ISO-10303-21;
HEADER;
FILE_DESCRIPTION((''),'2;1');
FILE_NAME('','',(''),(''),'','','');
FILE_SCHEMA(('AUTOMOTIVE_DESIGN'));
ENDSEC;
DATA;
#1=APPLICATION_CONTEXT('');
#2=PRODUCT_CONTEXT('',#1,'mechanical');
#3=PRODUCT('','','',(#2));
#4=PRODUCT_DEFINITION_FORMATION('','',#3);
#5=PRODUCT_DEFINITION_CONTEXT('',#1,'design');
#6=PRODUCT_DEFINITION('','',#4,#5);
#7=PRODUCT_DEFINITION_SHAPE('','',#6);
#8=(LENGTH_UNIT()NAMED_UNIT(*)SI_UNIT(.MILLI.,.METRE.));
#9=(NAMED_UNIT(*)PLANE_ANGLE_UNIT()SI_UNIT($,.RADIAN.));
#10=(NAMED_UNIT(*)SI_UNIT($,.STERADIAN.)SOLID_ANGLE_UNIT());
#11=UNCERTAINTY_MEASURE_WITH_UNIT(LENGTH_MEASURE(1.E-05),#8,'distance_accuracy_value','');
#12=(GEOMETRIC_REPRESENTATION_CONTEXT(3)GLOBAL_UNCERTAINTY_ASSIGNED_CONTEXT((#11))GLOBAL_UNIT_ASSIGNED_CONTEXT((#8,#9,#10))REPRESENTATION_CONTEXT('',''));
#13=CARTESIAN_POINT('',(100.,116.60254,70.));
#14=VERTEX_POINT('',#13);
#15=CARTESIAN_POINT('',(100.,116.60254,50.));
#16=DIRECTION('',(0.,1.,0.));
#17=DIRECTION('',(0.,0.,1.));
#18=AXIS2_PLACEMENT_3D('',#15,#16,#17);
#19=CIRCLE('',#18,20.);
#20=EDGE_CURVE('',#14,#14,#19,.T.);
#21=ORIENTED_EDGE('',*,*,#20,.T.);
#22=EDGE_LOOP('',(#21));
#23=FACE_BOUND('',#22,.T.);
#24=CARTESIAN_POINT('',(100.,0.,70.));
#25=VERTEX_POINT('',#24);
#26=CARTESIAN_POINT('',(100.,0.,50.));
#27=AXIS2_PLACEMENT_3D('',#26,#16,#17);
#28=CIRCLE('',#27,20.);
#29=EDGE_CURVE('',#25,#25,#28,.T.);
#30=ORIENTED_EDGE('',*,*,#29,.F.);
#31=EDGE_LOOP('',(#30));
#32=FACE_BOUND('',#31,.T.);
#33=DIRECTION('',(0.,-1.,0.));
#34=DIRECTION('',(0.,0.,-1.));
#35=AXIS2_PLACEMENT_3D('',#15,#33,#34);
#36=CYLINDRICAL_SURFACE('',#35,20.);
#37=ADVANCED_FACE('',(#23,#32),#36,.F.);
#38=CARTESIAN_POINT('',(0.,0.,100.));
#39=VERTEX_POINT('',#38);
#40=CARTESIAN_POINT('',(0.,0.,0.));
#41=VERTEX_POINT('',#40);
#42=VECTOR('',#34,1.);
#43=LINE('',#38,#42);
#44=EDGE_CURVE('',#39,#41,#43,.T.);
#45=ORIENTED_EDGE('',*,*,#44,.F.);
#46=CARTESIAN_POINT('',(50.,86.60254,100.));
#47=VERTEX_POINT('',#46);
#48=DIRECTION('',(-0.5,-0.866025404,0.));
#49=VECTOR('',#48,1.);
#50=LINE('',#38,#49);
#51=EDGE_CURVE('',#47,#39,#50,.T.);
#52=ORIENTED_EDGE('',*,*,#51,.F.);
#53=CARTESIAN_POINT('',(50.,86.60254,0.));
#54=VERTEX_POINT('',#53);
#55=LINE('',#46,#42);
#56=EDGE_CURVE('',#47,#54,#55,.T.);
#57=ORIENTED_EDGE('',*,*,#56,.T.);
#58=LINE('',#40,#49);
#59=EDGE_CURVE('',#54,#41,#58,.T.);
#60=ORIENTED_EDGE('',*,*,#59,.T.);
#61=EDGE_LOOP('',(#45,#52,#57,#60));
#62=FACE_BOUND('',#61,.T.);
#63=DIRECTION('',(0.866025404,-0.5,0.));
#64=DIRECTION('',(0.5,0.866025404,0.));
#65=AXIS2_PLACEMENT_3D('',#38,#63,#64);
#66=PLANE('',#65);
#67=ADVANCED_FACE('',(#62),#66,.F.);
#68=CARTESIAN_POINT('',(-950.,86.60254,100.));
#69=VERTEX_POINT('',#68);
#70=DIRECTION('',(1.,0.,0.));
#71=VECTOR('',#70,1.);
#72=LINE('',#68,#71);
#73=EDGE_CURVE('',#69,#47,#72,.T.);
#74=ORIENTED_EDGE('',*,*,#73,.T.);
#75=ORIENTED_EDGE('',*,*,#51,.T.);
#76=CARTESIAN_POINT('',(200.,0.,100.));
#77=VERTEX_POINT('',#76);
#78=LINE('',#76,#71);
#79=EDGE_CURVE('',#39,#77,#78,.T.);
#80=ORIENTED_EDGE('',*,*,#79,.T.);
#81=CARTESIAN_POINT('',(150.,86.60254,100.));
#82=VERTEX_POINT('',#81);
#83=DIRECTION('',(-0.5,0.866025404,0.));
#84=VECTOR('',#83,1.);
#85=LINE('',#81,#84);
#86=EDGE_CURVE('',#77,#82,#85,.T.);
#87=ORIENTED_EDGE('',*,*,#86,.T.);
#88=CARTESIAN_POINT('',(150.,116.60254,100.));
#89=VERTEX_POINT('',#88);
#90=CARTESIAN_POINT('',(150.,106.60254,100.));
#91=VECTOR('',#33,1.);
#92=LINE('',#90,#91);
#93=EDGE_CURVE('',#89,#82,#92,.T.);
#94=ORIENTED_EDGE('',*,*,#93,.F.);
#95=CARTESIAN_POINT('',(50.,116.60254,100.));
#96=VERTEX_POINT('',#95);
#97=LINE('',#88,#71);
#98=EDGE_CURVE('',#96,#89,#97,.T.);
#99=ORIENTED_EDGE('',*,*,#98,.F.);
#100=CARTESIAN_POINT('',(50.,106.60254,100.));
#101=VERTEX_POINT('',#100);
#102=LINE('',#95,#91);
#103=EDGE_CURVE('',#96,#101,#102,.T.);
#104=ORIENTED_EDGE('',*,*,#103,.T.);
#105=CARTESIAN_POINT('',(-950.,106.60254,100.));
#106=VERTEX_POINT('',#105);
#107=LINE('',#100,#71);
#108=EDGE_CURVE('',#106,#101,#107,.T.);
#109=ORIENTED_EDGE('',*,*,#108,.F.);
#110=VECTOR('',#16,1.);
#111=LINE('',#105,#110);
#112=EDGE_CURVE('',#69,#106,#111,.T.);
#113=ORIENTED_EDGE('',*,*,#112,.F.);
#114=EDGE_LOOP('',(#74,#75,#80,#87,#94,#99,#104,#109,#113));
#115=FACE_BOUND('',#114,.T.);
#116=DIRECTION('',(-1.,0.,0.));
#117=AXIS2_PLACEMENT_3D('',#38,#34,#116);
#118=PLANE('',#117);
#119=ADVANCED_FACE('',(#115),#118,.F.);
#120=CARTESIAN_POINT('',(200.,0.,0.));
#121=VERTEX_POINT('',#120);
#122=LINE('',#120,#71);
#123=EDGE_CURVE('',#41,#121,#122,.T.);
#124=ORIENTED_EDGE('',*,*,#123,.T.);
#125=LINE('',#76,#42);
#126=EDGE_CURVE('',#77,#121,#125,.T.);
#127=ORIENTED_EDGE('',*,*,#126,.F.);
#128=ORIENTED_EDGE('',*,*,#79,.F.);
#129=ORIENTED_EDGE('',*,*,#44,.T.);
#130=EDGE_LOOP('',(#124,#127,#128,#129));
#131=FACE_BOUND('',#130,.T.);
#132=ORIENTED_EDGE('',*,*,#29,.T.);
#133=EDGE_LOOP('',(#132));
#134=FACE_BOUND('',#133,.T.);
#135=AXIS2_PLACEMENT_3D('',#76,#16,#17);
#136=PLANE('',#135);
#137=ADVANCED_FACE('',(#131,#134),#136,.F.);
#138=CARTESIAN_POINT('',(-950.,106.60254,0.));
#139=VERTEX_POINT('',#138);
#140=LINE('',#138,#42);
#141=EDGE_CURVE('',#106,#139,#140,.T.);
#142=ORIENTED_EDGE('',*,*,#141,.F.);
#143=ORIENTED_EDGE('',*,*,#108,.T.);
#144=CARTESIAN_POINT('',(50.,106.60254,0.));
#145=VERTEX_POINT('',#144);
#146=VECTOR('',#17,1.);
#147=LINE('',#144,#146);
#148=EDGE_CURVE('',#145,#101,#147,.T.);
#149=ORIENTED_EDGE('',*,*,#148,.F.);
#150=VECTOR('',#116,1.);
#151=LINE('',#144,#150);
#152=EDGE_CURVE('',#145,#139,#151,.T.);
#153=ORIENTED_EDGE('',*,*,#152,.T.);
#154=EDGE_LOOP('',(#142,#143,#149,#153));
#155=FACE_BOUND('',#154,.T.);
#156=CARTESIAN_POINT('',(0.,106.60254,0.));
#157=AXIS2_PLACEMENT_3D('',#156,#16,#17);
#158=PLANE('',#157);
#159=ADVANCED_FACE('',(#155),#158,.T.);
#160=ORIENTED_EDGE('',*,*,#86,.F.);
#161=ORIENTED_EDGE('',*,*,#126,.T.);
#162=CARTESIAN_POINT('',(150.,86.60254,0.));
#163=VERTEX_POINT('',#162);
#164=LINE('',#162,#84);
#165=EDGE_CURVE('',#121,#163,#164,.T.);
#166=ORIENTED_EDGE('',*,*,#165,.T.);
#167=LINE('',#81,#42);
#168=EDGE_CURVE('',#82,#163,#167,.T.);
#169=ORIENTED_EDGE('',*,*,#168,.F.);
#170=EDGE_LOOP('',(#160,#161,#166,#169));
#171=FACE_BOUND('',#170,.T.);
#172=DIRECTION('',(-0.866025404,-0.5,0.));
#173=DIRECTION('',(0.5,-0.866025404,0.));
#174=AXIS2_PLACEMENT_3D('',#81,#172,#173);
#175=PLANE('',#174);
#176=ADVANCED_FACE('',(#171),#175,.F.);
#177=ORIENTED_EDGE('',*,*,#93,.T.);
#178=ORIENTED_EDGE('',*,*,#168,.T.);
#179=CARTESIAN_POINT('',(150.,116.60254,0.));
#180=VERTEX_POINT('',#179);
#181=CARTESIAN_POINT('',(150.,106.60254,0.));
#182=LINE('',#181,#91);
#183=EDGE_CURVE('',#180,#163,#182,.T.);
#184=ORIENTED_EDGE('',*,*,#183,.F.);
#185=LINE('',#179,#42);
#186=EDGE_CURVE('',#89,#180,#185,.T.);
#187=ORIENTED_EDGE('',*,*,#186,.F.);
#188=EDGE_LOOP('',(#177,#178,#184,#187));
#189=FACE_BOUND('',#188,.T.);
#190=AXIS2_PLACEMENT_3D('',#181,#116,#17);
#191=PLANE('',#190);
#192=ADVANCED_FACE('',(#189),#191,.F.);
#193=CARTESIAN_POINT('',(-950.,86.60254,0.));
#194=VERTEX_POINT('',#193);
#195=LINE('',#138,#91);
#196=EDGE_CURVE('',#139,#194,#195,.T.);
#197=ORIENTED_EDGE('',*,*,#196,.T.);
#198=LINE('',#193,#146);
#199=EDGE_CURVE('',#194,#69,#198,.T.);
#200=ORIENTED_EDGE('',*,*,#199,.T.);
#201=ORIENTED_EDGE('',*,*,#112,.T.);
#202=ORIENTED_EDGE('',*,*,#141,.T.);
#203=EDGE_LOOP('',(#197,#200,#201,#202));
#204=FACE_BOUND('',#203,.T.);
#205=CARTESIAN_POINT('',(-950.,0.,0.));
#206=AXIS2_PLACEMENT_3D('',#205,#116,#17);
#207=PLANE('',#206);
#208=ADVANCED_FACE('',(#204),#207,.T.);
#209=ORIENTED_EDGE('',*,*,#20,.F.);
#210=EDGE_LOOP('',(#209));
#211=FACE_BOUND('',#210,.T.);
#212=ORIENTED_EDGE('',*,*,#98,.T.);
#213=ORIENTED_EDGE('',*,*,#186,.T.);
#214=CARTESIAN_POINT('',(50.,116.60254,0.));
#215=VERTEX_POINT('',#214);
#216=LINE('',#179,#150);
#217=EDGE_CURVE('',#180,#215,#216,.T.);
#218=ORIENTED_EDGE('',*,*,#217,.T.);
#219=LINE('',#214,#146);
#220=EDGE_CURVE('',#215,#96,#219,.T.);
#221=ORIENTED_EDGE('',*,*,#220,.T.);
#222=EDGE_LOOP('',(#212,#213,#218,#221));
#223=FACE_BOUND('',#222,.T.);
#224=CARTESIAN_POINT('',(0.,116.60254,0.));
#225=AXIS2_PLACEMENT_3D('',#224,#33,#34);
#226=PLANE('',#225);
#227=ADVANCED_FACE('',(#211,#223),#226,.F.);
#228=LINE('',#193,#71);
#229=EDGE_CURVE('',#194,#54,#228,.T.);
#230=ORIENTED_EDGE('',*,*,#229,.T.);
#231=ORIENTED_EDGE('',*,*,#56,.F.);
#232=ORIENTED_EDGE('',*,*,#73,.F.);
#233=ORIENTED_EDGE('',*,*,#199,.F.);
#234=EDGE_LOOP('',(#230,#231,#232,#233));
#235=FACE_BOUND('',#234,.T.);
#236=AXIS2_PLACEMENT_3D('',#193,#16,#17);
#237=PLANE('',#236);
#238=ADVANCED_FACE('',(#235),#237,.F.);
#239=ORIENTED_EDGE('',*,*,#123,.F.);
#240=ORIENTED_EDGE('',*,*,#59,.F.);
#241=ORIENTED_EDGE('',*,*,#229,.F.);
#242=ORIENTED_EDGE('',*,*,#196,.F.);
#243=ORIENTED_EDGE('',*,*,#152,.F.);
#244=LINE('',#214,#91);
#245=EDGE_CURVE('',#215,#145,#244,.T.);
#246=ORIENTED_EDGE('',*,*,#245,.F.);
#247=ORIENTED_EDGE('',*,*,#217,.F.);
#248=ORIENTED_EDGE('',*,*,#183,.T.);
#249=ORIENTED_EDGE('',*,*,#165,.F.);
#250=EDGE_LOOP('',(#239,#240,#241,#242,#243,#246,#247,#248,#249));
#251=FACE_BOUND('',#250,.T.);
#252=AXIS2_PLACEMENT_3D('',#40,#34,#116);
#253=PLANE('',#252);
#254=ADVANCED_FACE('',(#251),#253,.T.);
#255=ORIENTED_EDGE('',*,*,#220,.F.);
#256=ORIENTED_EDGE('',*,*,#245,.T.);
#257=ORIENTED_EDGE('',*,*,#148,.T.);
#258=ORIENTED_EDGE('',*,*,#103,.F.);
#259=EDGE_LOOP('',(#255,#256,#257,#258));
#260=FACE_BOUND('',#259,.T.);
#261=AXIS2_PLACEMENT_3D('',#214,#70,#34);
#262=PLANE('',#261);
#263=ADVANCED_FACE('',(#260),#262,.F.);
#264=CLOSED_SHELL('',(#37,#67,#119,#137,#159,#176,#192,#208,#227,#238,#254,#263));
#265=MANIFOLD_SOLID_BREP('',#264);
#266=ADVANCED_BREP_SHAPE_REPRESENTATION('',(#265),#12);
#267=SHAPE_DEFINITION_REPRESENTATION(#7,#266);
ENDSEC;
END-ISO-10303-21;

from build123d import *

# Parameters (mm, degrees)
SALIENTE_EXTRUIR1_DEPTH = 100
CROQUIS2_W              = 100
CROQUIS2_H              = 100
SALIENTE_EXTRUIR2_DEPTH = 20
CROQUIS3_W              = 100
CROQUIS3_H              = 20
SALIENTE_EXTRUIR3_DEPTH = 1000
CROQUIS4_W              = 100
CROQUIS4_H              = 100
CROQUIS4_R              = 20
SALIENTE_EXTRUIR4_DEPTH = 10
CROQUIS7_R              = 20
CORTAR_EXTRUIR2_DEPTH   = 228.5


with BuildPart() as part:
    # Croquis1 → Saliente-Extruir1 (new body)
    with BuildSketch(Plane.XY):
        Polygon((0, 0), (50, 86.602540378), (150, 86.602540378), (200, 0), align=None)
    extrude(amount=SALIENTE_EXTRUIR1_DEPTH)

    # Croquis2 → Saliente-Extruir2 (add)
    with BuildSketch(Plane(origin=(0, 86.602540378, 0), x_dir=(1, 0, 0), z_dir=(0, 1, 0))):
        with Locations((100, -50)):
            Rectangle(CROQUIS2_W, CROQUIS2_H)
    extrude(amount=SALIENTE_EXTRUIR2_DEPTH)

    # Croquis3 → Saliente-Extruir3 (add)
    with BuildSketch(Plane.ZY.offset(-50)):
        with Locations((50, 96.602540378)):
            Rectangle(CROQUIS3_W, CROQUIS3_H)
    extrude(amount=SALIENTE_EXTRUIR3_DEPTH)

    # Croquis4 → Saliente-Extruir4 (add)
    with BuildSketch(Plane(origin=(0, 106.602540378, 0), x_dir=(1, 0, 0), z_dir=(0, 1, 0))):
        with Locations((100, -50)):
            Rectangle(CROQUIS4_W, CROQUIS4_H)
        with Locations(Location((100, -50, 0), (0, 0, 270))):
            Circle(CROQUIS4_R, mode=Mode.SUBTRACT)
    extrude(amount=SALIENTE_EXTRUIR4_DEPTH)

    # Croquis7 → Cortar-Extruir2 (cut, symmetric)
    with BuildSketch(Plane(origin=(0, 116.602540378, 0), x_dir=(1, 0, 0), z_dir=(0, 1, 0))):
        with Locations(Location((100, -50, 0), (0, 0, 270))):
            Circle(CROQUIS7_R)
    extrude(amount=CORTAR_EXTRUIR2_DEPTH, both=True, mode=Mode.SUBTRACT)


solid = part.part
